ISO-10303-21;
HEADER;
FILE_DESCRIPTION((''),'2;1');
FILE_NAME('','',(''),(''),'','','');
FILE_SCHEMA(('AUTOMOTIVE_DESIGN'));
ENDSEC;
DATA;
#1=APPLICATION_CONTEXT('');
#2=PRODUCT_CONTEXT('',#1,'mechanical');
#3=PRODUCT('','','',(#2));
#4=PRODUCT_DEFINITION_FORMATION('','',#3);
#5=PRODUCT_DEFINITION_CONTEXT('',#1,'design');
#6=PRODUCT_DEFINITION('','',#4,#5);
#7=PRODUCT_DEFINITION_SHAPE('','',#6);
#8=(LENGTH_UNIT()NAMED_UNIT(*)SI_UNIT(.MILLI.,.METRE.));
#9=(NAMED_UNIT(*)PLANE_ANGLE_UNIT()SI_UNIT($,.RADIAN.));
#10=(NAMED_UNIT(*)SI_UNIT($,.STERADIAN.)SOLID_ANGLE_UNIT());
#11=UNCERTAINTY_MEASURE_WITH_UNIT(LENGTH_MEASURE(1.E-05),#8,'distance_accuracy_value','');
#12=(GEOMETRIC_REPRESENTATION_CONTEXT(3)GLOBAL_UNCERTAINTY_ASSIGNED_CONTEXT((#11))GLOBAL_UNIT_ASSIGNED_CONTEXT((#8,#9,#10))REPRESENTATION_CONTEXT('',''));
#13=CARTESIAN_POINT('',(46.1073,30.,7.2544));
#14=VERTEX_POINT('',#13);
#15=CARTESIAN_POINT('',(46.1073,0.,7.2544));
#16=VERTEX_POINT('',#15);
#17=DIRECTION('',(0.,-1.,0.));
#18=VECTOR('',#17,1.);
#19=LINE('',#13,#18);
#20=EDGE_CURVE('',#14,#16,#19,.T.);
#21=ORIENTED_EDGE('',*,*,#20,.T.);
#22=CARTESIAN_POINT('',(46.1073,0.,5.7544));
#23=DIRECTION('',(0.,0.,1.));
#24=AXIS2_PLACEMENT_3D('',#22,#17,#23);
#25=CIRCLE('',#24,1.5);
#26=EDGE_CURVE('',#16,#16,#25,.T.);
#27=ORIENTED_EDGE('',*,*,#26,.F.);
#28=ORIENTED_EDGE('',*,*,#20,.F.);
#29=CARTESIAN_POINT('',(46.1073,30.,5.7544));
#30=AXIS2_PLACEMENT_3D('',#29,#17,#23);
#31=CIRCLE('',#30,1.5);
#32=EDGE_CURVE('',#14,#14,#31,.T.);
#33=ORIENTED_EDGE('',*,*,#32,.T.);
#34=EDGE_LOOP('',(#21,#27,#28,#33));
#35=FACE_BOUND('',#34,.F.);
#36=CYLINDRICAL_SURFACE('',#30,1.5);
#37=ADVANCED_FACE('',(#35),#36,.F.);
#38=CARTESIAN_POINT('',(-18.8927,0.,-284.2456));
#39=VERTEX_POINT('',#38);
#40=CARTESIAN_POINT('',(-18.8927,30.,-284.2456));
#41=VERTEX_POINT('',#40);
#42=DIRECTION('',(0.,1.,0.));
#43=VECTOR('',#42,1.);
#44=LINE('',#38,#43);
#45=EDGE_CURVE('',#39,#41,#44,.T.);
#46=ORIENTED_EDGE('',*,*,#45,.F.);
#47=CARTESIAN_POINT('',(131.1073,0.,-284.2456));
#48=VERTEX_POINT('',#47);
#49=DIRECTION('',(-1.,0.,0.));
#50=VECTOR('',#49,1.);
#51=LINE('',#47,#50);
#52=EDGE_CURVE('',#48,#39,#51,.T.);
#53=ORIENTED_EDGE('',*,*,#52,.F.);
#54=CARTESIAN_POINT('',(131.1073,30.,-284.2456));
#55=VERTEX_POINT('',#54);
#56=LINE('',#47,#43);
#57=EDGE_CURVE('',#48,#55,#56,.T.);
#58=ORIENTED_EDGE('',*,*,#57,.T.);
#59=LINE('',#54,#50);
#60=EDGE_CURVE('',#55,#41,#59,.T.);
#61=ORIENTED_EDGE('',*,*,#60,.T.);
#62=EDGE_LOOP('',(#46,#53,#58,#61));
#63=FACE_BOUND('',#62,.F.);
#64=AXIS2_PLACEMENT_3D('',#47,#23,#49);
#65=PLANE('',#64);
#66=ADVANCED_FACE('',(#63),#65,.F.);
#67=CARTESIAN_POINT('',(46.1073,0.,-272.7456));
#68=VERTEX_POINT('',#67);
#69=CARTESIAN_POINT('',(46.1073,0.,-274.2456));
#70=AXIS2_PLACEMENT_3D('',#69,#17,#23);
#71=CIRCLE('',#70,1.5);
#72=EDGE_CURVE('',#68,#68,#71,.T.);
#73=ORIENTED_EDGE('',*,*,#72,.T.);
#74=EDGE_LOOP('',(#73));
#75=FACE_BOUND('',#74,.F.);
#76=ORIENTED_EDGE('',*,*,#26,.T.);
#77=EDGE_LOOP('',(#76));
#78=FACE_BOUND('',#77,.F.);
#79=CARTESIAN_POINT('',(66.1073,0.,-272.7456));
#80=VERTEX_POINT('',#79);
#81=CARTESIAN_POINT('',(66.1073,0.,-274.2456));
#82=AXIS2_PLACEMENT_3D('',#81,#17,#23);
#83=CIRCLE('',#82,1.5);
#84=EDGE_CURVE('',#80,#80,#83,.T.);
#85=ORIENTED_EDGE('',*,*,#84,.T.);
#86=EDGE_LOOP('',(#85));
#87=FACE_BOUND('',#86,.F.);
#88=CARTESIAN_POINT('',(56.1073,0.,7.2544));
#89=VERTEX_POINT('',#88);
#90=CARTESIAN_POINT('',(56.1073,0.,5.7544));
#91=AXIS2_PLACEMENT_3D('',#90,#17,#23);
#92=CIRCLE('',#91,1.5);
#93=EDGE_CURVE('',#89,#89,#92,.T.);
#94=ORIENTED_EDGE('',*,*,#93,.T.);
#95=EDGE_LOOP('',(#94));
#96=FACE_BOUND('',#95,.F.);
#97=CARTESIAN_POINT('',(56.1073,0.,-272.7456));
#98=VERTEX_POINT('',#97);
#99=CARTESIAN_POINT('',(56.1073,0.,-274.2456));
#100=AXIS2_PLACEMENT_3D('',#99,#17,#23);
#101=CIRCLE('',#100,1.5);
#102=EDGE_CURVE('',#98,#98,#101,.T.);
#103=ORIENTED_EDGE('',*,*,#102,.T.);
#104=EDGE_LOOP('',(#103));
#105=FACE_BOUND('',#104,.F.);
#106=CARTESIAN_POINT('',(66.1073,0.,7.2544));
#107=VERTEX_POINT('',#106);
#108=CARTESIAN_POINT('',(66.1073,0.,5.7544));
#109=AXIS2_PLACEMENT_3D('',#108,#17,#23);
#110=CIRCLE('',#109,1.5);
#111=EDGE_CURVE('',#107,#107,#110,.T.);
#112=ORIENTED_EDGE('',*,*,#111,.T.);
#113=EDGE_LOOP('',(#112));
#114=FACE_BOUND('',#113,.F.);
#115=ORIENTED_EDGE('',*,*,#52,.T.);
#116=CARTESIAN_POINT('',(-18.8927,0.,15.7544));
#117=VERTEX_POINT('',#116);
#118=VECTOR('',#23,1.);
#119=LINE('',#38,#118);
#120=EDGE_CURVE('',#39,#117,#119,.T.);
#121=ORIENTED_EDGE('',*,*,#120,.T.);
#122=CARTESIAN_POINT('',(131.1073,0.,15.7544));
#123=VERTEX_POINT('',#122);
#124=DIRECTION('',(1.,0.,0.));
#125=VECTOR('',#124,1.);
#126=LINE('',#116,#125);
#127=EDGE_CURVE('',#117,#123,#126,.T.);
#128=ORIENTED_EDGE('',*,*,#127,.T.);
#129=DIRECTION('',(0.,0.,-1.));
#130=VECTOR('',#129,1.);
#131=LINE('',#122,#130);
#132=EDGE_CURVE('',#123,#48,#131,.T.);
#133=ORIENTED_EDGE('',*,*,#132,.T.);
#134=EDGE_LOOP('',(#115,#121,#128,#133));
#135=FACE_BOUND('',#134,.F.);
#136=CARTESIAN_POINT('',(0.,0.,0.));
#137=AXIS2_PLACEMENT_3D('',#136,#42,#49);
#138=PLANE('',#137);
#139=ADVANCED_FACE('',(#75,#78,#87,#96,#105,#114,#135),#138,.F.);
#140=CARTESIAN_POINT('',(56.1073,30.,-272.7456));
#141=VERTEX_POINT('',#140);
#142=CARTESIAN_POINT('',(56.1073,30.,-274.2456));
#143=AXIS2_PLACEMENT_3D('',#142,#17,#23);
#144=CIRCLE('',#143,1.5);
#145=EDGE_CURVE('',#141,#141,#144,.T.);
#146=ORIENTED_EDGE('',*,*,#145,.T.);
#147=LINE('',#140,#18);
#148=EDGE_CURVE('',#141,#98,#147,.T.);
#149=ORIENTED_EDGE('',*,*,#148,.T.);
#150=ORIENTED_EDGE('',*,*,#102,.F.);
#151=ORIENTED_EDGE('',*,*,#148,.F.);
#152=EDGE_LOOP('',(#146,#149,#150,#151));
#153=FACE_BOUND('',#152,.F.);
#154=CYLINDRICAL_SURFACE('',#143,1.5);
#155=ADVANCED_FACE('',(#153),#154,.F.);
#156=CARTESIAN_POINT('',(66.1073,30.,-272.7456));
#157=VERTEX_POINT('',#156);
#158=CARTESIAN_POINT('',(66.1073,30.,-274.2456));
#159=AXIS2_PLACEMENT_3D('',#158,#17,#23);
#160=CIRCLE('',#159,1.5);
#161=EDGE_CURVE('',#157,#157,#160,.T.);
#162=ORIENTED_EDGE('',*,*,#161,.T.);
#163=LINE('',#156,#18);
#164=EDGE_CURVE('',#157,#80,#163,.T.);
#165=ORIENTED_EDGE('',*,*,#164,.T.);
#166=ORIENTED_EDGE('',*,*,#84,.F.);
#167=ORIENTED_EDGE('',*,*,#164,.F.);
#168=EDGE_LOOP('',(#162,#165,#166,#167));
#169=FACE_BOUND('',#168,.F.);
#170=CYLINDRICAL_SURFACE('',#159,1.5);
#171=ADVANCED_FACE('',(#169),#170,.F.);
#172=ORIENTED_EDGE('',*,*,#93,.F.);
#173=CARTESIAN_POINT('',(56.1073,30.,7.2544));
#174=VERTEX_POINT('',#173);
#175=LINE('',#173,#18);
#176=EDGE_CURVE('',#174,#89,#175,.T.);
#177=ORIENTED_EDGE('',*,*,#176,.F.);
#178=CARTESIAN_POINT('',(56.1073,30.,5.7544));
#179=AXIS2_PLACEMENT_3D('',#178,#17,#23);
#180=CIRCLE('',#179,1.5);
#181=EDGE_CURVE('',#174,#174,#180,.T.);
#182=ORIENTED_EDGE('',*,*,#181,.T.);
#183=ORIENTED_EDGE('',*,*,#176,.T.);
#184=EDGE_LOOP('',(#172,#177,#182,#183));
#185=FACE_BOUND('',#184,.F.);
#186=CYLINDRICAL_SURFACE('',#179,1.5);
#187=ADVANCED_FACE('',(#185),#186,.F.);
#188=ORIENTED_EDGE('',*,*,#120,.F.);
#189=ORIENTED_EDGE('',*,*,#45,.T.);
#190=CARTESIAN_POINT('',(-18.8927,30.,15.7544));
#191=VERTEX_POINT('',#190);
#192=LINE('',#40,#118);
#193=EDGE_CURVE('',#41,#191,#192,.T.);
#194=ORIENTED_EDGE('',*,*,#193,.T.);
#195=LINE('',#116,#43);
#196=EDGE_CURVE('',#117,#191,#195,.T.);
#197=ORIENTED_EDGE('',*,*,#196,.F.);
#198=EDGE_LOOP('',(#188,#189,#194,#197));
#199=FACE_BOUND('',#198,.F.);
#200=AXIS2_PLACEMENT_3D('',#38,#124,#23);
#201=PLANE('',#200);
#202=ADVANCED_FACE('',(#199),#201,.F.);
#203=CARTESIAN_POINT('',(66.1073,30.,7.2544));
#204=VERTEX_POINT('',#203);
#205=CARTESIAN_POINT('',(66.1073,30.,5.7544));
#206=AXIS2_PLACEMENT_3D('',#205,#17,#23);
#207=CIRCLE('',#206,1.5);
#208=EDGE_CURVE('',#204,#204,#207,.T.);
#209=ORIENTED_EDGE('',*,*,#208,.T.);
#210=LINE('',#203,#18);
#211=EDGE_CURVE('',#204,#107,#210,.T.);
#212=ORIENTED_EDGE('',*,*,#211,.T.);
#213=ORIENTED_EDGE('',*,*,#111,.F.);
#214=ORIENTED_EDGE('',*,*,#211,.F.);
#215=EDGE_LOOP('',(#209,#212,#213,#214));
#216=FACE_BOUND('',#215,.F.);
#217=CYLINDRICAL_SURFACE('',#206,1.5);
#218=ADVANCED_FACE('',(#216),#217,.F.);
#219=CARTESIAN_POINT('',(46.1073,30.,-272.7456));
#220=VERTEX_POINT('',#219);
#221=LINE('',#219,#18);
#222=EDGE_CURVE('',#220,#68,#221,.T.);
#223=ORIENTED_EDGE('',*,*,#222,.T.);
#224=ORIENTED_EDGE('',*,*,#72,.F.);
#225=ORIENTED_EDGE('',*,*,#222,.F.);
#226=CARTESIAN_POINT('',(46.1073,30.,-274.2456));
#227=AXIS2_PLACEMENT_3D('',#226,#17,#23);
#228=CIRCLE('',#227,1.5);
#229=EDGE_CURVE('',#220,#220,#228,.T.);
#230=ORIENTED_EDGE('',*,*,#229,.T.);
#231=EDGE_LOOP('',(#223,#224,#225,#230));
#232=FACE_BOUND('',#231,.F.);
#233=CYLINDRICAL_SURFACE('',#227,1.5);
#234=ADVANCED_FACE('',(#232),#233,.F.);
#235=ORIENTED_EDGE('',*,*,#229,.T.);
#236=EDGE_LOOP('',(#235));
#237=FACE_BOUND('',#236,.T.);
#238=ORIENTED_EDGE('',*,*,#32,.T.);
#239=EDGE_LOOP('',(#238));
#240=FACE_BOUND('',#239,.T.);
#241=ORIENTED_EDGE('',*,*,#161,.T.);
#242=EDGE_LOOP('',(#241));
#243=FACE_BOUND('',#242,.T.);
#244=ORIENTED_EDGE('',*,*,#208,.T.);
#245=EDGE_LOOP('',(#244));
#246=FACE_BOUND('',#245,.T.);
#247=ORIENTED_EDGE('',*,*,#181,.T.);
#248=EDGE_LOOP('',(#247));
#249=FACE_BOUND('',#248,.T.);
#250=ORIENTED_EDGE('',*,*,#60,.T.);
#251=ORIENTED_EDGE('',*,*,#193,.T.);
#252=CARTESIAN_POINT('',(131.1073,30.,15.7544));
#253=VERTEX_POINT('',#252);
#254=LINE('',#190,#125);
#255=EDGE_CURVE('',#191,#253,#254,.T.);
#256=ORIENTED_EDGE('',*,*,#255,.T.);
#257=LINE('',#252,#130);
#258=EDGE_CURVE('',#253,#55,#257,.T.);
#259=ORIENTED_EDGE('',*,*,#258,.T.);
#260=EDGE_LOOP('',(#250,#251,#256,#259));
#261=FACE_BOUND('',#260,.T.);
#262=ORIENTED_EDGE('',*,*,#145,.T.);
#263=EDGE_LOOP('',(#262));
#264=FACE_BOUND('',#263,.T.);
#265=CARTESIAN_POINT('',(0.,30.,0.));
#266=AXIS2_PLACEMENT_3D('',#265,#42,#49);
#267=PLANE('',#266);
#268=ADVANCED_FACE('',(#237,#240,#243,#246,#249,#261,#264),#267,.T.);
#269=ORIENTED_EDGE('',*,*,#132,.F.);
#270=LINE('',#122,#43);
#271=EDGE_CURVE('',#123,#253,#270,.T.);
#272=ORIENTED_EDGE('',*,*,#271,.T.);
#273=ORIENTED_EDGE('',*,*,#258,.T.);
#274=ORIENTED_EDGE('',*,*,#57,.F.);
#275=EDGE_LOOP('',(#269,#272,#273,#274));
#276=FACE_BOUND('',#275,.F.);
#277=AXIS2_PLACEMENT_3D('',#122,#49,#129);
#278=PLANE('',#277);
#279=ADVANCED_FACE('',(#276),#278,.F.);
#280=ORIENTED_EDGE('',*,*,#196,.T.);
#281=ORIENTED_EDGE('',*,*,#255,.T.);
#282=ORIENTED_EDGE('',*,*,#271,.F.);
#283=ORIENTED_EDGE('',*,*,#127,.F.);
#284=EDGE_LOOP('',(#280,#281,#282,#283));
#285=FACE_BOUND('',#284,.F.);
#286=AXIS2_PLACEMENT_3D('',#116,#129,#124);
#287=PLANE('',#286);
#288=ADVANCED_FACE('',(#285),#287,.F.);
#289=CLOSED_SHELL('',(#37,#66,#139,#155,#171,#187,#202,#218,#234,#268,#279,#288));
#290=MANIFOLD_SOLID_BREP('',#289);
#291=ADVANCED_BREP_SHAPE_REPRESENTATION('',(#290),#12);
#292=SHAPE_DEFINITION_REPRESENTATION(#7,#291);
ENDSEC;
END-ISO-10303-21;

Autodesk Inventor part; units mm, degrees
ref_plane "YZ Plane" through (0, 0, 0) normal (1, 0, 0) x (0, 1, 0)
ref_plane "XZ Plane" through (0, 0, 0) normal (0, 1, 0) x (-1, 0, 0)
ref_plane "XY Plane" through (0, 0, 0) normal (0, 0, 1) x (1, 0, 0)
sketch "スケッチ1" plane through (0, 0, 0) normal (0, 1, 0) x (-1, 0, 0)
  line L0 (18.8927, 15.7544) -> (-131.1073, 15.7544)
  line L1 (-131.1073, 15.7544) -> (-131.1073, -284.2456)
  line L2 (-131.1073, -284.2456) -> (18.8927, -284.2456)
  line L3 (18.8927, -284.2456) -> (18.8927, 15.7544)
  point P0 (0, 0)
  dimension "d0" = 150
  dimension "d1" = 300
extrude "押し出し1" add sketch "スケッチ1" along normal blind 30
sketch "スケッチ2" plane through (0, 30, 0) normal (0, 1, 0) x (1, 0, 0)
  point P0 (0, 0)
sketch "スケッチ3" plane through (0, 30, 0) normal (0, 1, 0) x (1, 0, 0)
  circle A0 centre (56.1073, -5.7544) radius 1.5
  line L0 (-18.8927, 284.2456) -> (-18.8927, -15.7544) projected
  line L1 (-18.8927, -15.7544) -> (131.1073, -15.7544) projected
  circle A1 centre (46.1073, -5.7544) radius 1.5
  circle A2 centre (66.1073, -5.7544) radius 1.5
  point P0 (0, 0)
  dimension "d4" = 3
  dimension "d5" = 75
  dimension "d6" = 10
  dimension "d7" = 3
  dimension "d8" = 3
  dimension "d9" = 10
  dimension "d10" = 10
sketch "スケッチ4" plane through (0, 30, 0) normal (0, 1, 0) x (1, 0, 0)
  circle A0 centre (56.1073, 274.2456) radius 1.5
  line L0 (131.1073, -15.7544) -> (131.1073, 284.2456) projected
  line L1 (131.1073, 284.2456) -> (-18.8927, 284.2456) projected
  circle A1 centre (46.1073, 274.2456) radius 1.5
  circle A2 centre (66.1073, 274.2456) radius 1.5
  point P0 (0, 0)
  dimension "d11" = 3
  dimension "d12" = 75
  dimension "d13" = 10
  dimension "d14" = 3
  dimension "d15" = 3
  dimension "d16" = 10
  dimension "d17" = 10
hole "穴1" at (46.1073, 30, 5.7544) at (56.1073, 30, 5.7544) at (66.1073, 30, 5.7544) direction (0, -1, 0) diameter 3 depth 30
hole "穴2" at (66.1073, 30, -274.2456) at (56.1073, 30, -274.2456) at (46.1073, 30, -274.2456) direction (0, -1, 0) diameter 3 depth 30
equation "\"BendRadius\" = Thickness"
equation "\"BendReliefWidth\" = Thickness"
equation "\"BendReliefDepth\" = 0.5 * Thickness"
equation "\"CornerReliefSize\" = 4 * Thickness"
equation "\"MinimumRemnant\" = 2 * Thickness"
equation "\"TransitionRadius\" = BendRadius"
equation "\"JacobiRadiusSize\" = BendRadius"
equation "\"GapSize\" = Thickness"
equation "\"Thickness\" = 0.5"
properties part number "nhk19" material "木材 (オーク)"
